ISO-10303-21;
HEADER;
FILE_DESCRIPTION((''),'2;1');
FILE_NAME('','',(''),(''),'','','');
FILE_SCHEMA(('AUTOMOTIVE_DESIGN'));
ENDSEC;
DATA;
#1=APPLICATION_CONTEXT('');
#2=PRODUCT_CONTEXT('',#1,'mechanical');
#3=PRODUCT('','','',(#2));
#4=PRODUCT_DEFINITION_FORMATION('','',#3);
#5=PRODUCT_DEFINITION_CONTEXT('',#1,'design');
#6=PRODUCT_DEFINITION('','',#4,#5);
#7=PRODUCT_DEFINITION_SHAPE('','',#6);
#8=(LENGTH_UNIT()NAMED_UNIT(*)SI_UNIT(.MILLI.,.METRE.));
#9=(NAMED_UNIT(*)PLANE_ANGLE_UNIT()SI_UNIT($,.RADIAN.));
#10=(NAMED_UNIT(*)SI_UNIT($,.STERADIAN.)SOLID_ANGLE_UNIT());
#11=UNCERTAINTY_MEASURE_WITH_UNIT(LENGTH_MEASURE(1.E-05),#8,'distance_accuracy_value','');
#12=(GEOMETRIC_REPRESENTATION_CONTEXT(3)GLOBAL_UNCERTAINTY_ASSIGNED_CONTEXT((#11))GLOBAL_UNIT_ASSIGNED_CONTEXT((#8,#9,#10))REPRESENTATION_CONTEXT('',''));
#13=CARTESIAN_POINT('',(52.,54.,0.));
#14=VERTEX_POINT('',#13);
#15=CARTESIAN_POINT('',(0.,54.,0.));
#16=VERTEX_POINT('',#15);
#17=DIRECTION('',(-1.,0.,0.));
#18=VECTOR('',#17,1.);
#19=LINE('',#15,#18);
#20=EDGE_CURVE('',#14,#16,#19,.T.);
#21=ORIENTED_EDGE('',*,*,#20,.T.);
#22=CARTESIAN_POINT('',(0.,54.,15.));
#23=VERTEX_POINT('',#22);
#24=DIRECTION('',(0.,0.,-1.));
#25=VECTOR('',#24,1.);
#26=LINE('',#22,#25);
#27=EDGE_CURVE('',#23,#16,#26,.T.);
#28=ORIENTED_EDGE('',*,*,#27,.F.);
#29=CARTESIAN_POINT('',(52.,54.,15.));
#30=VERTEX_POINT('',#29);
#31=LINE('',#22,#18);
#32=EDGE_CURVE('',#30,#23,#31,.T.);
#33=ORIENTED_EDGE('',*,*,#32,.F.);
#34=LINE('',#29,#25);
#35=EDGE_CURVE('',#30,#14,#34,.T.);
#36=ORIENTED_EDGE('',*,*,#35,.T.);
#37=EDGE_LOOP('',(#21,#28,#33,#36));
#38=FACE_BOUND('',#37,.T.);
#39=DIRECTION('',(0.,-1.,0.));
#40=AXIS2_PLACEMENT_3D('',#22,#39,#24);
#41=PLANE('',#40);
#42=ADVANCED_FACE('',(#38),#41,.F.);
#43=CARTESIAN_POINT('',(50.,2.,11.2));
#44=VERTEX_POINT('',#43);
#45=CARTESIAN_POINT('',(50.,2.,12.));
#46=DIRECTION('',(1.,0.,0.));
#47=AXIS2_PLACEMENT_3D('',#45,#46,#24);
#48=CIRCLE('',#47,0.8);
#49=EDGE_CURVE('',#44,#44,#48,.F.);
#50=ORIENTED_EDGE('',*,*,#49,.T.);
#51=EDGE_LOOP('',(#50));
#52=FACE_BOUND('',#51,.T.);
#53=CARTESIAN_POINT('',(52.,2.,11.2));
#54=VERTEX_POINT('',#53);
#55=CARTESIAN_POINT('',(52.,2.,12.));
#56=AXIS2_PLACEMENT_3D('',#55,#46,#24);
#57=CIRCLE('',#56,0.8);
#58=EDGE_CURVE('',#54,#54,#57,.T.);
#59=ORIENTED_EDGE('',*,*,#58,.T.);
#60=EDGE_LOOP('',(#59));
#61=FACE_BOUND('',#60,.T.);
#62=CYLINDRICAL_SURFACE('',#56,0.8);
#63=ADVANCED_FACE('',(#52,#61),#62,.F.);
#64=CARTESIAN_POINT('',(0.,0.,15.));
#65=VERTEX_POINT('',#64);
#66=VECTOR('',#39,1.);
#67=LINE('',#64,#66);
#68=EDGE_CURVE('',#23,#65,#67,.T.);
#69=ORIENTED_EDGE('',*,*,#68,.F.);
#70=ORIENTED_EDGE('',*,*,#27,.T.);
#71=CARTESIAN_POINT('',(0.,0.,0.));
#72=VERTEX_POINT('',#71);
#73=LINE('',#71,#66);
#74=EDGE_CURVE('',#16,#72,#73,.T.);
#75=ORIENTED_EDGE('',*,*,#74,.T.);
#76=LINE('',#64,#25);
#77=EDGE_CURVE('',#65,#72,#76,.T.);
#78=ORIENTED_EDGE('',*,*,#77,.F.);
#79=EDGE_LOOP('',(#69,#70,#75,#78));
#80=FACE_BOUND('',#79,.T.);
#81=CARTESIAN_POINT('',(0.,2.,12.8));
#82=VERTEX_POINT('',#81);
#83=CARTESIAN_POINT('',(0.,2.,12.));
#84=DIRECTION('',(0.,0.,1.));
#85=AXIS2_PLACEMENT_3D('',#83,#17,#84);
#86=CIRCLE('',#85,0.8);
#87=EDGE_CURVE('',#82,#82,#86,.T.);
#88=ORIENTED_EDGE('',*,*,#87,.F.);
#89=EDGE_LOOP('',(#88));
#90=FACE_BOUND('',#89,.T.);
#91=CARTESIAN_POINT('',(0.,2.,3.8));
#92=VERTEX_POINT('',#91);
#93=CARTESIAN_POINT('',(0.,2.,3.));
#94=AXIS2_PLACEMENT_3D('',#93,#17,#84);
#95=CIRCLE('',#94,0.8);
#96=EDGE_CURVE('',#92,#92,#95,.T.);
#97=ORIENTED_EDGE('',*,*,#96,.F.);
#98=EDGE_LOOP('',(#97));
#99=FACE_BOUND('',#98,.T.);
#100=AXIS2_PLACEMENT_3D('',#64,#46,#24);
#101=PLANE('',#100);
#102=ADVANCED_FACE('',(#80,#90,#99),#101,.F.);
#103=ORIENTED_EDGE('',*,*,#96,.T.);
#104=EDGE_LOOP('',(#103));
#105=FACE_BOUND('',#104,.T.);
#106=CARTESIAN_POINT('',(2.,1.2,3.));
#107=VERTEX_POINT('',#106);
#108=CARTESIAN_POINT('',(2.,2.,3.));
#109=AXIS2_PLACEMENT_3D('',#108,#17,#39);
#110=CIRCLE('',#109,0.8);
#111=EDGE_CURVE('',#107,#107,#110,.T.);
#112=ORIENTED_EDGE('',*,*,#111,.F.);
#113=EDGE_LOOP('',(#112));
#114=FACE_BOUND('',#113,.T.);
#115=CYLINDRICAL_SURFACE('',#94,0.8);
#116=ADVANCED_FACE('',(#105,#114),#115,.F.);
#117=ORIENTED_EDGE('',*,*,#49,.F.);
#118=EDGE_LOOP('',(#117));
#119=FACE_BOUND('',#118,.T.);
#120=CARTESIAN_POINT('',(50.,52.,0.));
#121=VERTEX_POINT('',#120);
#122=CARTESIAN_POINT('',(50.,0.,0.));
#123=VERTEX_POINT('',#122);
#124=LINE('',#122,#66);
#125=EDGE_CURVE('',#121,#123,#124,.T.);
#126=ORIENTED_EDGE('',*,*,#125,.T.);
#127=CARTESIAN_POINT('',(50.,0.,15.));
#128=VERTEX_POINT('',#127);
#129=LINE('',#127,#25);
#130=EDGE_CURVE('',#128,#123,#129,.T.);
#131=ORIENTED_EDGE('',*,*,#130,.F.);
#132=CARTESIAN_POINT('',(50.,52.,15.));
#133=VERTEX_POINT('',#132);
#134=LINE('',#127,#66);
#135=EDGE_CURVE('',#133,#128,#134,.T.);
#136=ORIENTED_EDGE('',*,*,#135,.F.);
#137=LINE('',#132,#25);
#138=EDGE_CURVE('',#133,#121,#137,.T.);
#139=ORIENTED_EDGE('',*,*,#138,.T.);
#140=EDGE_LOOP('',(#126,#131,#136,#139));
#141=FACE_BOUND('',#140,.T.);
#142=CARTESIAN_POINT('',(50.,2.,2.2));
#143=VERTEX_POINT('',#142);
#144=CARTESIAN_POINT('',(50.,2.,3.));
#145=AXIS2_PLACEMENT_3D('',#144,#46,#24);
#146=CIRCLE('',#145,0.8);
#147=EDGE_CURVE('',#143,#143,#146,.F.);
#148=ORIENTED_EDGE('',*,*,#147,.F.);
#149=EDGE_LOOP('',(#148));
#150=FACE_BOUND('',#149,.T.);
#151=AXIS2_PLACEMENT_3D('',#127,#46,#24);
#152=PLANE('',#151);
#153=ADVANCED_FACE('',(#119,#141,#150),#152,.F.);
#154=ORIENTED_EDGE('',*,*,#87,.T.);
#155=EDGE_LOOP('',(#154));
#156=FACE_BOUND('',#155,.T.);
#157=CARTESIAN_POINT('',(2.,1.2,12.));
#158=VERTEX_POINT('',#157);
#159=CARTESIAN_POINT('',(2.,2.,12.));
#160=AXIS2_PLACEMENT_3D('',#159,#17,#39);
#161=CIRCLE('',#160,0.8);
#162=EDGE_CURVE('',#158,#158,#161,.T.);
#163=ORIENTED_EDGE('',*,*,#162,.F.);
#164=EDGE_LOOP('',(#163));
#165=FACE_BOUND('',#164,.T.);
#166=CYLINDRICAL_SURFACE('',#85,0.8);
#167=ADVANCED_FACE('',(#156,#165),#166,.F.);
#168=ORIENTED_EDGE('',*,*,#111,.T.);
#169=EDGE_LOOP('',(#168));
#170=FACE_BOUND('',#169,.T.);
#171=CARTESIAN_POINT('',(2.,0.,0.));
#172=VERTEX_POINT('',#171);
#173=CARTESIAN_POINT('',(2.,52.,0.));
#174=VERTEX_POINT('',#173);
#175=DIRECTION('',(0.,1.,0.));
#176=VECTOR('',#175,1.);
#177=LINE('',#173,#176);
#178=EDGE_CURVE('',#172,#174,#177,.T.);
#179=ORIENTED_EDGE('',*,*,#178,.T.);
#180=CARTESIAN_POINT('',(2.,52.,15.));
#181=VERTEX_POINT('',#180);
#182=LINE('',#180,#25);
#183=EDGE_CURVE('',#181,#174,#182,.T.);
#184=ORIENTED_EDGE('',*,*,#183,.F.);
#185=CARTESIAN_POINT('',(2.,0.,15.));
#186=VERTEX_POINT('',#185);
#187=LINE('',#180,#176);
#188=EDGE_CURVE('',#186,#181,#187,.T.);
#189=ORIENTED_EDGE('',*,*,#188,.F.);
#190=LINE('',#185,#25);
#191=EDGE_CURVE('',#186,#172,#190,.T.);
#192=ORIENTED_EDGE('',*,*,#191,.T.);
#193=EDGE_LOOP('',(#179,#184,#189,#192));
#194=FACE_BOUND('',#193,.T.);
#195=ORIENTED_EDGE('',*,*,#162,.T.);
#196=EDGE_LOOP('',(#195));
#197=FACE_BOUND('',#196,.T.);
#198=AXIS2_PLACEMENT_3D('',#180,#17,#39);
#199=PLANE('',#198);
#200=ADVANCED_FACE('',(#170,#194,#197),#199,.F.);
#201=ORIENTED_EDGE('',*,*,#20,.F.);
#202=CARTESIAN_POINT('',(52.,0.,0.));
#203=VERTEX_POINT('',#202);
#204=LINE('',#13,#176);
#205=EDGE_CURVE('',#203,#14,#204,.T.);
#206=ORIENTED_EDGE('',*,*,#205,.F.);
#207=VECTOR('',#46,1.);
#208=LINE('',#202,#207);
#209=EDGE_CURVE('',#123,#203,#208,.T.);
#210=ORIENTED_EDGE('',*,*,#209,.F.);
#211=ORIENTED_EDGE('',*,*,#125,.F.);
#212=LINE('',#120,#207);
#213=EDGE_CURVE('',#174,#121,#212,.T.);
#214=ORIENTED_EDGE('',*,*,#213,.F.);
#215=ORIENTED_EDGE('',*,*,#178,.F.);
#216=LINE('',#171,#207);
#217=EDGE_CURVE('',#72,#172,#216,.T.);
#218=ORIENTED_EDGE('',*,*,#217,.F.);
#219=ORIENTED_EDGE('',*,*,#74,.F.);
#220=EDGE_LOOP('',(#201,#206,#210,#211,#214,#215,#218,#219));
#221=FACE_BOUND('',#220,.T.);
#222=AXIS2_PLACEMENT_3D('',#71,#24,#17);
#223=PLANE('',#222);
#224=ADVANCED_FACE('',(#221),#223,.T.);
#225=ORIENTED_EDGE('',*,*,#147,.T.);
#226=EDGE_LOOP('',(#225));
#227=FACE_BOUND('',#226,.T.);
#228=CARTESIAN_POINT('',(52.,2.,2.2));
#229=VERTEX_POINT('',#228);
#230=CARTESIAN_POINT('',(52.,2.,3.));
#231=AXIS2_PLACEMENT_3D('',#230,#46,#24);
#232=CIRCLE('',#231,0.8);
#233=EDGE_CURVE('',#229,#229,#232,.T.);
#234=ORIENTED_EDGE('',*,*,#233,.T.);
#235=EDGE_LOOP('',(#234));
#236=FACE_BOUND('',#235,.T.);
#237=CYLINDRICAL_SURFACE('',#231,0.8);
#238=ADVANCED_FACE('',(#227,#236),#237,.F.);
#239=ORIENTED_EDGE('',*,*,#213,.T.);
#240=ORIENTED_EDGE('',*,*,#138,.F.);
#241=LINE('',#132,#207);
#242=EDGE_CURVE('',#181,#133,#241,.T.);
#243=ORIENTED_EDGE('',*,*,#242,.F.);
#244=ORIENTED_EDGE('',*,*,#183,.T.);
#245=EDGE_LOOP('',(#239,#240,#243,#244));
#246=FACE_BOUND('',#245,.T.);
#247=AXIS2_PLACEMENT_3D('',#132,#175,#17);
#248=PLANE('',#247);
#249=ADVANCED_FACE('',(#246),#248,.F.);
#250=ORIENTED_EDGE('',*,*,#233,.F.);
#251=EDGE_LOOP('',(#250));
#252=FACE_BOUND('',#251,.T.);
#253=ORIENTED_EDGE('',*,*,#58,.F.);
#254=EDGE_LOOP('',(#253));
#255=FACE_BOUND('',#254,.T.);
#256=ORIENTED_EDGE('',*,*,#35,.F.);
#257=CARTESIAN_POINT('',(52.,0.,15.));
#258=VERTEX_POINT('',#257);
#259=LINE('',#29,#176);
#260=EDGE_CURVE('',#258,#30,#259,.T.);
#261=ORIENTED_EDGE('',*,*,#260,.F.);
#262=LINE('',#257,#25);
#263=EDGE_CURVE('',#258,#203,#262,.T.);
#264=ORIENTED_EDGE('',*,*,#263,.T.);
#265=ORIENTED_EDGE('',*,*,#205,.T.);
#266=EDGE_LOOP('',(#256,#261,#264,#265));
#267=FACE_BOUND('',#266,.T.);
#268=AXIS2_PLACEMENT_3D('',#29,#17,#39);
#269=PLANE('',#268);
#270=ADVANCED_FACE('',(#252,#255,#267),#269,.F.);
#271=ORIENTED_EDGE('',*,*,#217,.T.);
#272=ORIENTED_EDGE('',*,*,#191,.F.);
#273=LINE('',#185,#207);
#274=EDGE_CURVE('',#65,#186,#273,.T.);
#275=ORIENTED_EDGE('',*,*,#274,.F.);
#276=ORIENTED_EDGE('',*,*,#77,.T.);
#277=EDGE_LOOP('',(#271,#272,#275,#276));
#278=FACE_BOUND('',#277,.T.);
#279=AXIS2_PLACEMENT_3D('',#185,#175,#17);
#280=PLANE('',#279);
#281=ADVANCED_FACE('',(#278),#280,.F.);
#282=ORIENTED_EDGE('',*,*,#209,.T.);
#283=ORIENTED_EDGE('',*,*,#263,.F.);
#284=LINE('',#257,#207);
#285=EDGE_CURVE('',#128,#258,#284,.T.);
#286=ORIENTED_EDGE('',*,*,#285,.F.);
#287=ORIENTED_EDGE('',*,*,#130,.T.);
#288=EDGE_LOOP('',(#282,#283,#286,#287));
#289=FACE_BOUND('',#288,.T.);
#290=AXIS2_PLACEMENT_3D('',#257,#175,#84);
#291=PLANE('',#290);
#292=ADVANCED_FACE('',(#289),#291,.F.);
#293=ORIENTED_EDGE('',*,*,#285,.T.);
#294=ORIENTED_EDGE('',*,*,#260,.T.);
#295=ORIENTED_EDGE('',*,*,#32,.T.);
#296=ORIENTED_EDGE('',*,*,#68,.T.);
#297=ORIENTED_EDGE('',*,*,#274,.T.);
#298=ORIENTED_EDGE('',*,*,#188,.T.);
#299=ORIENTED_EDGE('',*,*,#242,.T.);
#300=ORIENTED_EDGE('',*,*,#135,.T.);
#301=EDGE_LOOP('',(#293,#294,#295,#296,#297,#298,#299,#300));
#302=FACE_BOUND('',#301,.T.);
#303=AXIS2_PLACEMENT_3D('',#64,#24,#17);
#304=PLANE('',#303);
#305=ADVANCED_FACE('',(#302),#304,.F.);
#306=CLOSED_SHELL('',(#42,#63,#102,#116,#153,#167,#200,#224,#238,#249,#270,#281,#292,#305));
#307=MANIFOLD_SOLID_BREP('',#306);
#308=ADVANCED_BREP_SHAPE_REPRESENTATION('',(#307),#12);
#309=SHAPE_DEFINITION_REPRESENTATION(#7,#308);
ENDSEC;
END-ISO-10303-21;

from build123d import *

# Parameters (mm, degrees)
BOSS_EXTRUDE1_DEPTH   = 15
M2_TAPPED_HOLE1_D     = 1.6
M2_TAPPED_HOLE1_DEPTH = 49.999
MIRROR2_COPY_1_D      = 1.6
MIRROR2_COPY_1_DEPTH  = 49.999


with BuildPart() as part:
    # Sketch1 → Boss-Extrude1 (new body)
    with BuildSketch(Plane.XY):
        Polygon((0, 0), (0, 54), (52, 54), (52, 0), (50, 0), (50, 52), (2, 52), (2, 0), align=None)
    extrude(amount=BOSS_EXTRUDE1_DEPTH)

    # M2 Tapped Hole1
    with Locations(Plane(origin=(52, 0, 0), x_dir=(0, 0, -1), z_dir=(1, 0, 0))):
        with Locations((-12, 2)):
            m2_tapped_hole1 = Hole(M2_TAPPED_HOLE1_D / 2, depth=M2_TAPPED_HOLE1_DEPTH)

    # Mirror1: M2 Tapped Hole1 across plane
    add(m2_tapped_hole1.mirror(Plane.XY.offset(7.5)), mode=Mode.SUBTRACT)

    # Mirror2: M2 Tapped Hole1 across plane
    add(m2_tapped_hole1.mirror(Plane(origin=(26, 0, 0), x_dir=(0, 0, 1), z_dir=(1, 0, 0))), mode=Mode.SUBTRACT)

    # Mirror2 copy 1
    with Locations(Plane(origin=(0, 0, 15), x_dir=(0, 0, 1), z_dir=(-1, 0, 0))):
        with Locations((-12, 2)):
            Hole(MIRROR2_COPY_1_D / 2, depth=MIRROR2_COPY_1_DEPTH)


solid = part.part
